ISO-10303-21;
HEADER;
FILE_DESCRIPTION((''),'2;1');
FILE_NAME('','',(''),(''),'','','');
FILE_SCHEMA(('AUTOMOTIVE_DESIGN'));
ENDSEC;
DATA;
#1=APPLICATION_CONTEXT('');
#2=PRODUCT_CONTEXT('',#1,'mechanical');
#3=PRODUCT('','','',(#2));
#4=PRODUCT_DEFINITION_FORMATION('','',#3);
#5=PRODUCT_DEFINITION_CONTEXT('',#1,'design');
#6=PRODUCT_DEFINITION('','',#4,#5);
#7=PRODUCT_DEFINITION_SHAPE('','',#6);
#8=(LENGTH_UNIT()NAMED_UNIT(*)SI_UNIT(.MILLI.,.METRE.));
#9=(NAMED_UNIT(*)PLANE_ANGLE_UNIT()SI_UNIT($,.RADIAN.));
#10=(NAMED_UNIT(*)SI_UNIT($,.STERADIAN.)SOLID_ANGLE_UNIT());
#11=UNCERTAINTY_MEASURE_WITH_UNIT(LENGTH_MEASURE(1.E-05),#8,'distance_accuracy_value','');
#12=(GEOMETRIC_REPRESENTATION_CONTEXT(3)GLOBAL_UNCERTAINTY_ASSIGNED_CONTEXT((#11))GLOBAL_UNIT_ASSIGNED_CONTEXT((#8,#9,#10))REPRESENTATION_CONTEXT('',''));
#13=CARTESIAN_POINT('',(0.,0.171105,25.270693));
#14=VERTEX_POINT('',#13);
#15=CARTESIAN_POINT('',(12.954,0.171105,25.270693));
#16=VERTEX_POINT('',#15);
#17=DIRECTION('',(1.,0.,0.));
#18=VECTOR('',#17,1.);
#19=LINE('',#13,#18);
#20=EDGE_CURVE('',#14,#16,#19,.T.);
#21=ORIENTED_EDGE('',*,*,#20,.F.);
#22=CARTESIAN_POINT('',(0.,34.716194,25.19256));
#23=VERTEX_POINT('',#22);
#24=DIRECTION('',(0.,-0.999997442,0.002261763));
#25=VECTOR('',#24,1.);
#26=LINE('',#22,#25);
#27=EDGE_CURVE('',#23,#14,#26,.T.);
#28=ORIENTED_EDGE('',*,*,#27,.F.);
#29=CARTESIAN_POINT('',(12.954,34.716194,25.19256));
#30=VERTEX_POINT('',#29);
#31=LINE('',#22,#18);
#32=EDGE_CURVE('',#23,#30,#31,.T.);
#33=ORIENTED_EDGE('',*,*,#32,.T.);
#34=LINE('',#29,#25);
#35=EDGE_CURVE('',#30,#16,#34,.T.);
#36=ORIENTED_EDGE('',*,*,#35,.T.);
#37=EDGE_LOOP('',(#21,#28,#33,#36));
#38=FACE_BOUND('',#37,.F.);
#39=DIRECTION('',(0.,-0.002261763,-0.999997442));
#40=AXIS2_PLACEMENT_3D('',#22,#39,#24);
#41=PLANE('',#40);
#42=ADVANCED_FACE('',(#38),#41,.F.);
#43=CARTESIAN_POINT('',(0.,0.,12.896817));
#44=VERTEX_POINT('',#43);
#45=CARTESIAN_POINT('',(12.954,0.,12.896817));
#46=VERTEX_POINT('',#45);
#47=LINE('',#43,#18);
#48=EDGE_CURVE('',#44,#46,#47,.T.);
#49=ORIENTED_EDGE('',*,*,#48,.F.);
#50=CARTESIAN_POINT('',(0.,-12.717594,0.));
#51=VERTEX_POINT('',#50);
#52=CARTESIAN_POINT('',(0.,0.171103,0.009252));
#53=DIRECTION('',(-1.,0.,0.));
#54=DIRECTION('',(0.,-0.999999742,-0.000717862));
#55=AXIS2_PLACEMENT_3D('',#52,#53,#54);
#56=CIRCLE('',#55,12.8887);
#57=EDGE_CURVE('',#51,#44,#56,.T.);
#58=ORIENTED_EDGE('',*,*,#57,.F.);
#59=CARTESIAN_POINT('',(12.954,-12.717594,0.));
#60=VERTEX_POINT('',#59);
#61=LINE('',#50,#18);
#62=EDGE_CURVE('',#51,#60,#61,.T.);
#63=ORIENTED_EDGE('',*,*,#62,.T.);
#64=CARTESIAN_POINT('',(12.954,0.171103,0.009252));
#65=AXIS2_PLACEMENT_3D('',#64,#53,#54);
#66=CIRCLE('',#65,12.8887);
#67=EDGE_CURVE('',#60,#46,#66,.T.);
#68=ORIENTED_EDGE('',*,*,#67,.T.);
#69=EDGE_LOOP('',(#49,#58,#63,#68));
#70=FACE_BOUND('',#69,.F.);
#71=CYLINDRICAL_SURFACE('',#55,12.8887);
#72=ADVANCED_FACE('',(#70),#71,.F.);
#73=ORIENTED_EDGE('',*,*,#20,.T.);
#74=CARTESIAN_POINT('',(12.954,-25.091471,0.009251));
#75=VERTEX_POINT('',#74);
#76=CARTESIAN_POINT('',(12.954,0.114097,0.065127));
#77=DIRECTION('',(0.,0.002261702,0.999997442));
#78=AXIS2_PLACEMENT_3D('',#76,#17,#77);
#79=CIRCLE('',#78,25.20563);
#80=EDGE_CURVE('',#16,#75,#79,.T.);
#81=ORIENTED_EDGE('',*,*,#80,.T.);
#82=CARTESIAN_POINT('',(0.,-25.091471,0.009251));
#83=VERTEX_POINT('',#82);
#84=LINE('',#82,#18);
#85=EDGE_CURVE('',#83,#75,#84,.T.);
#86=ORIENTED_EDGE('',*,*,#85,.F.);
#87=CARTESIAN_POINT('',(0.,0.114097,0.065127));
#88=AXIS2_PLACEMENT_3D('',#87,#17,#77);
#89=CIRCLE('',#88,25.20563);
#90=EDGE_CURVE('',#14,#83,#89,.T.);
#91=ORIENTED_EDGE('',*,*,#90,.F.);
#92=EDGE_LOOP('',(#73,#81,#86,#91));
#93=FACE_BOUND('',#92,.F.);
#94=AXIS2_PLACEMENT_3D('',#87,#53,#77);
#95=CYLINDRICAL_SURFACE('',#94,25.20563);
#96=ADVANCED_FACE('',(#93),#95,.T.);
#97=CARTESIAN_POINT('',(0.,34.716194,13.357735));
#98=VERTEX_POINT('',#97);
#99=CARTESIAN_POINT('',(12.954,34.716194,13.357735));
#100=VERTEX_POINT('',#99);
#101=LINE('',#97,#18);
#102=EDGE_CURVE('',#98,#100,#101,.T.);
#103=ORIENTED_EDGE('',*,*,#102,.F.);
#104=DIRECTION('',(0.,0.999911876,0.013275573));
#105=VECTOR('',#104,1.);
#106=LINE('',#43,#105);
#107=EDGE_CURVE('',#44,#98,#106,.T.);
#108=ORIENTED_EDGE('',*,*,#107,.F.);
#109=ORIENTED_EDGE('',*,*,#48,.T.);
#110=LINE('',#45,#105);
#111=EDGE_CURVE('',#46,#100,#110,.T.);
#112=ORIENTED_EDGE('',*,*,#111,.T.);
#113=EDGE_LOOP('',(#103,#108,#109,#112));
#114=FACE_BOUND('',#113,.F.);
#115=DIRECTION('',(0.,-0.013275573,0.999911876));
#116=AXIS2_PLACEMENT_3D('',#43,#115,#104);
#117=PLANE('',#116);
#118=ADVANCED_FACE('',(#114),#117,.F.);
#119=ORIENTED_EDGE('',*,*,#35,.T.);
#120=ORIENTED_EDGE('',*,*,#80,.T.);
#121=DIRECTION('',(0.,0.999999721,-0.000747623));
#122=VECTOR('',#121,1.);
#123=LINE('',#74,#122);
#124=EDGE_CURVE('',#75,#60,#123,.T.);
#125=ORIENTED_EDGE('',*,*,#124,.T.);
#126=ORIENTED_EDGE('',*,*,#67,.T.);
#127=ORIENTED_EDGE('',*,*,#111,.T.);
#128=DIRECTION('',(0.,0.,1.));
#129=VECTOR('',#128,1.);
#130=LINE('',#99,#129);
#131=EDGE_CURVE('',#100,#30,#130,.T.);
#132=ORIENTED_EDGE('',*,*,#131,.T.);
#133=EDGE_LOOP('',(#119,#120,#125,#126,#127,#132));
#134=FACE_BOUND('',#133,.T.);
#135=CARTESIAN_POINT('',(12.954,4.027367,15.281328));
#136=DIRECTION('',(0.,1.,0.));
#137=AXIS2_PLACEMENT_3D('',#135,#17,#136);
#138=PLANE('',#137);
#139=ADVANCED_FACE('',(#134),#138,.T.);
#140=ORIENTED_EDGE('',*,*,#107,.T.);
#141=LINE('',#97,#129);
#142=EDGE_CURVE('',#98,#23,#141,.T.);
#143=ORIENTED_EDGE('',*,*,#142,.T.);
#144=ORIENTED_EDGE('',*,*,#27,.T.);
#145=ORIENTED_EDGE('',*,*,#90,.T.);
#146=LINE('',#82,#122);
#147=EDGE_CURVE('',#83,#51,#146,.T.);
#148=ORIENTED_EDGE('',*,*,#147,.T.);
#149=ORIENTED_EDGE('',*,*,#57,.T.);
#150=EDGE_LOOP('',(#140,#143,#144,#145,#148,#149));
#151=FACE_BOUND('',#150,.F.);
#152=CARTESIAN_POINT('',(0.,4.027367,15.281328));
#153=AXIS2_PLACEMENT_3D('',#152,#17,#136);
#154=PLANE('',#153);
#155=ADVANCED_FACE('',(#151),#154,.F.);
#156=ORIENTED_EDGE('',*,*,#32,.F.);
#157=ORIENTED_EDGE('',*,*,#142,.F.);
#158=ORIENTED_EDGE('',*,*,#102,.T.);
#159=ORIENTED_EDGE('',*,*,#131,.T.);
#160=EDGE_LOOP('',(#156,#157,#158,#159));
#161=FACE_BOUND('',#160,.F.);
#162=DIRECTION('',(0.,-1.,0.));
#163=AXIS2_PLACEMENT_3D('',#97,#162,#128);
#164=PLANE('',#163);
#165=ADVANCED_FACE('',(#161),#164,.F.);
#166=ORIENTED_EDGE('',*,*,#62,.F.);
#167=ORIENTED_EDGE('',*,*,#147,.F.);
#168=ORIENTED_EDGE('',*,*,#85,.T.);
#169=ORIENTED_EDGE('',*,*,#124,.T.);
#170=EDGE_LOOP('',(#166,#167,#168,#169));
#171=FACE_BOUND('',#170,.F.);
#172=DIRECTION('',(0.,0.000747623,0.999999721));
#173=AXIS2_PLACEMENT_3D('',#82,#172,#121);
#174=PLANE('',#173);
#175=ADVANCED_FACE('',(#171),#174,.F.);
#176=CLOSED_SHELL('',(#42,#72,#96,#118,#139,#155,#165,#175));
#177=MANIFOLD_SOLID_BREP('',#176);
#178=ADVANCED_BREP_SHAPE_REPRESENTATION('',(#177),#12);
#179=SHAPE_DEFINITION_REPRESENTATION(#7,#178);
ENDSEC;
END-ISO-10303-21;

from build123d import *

# Parameters (mm, degrees)
F1_DEPTH = 12.954


with BuildPart() as f1:
    # F0 (on Right) → F1 (new body)
    with BuildSketch(Plane.YZ):
        with BuildLine():
            ThreePointArc((-12.717594, 0), (-9.006128, 9.05895), (0, 12.896817))
            Line((0, 12.896817), (34.716194, 13.357735))
            Line((34.716194, 13.357735), (34.716194, 25.19256))
            Line((34.716194, 25.19256), (0.171105, 25.270693))
            ThreePointArc((0.171105, 25.270693), (-17.708575, 17.888599), (-25.091471, 0.009251))
            Line((-25.091471, 0.009251), (-12.717594, 0))
        make_face()
    extrude(amount=F1_DEPTH)


solid = f1.part
